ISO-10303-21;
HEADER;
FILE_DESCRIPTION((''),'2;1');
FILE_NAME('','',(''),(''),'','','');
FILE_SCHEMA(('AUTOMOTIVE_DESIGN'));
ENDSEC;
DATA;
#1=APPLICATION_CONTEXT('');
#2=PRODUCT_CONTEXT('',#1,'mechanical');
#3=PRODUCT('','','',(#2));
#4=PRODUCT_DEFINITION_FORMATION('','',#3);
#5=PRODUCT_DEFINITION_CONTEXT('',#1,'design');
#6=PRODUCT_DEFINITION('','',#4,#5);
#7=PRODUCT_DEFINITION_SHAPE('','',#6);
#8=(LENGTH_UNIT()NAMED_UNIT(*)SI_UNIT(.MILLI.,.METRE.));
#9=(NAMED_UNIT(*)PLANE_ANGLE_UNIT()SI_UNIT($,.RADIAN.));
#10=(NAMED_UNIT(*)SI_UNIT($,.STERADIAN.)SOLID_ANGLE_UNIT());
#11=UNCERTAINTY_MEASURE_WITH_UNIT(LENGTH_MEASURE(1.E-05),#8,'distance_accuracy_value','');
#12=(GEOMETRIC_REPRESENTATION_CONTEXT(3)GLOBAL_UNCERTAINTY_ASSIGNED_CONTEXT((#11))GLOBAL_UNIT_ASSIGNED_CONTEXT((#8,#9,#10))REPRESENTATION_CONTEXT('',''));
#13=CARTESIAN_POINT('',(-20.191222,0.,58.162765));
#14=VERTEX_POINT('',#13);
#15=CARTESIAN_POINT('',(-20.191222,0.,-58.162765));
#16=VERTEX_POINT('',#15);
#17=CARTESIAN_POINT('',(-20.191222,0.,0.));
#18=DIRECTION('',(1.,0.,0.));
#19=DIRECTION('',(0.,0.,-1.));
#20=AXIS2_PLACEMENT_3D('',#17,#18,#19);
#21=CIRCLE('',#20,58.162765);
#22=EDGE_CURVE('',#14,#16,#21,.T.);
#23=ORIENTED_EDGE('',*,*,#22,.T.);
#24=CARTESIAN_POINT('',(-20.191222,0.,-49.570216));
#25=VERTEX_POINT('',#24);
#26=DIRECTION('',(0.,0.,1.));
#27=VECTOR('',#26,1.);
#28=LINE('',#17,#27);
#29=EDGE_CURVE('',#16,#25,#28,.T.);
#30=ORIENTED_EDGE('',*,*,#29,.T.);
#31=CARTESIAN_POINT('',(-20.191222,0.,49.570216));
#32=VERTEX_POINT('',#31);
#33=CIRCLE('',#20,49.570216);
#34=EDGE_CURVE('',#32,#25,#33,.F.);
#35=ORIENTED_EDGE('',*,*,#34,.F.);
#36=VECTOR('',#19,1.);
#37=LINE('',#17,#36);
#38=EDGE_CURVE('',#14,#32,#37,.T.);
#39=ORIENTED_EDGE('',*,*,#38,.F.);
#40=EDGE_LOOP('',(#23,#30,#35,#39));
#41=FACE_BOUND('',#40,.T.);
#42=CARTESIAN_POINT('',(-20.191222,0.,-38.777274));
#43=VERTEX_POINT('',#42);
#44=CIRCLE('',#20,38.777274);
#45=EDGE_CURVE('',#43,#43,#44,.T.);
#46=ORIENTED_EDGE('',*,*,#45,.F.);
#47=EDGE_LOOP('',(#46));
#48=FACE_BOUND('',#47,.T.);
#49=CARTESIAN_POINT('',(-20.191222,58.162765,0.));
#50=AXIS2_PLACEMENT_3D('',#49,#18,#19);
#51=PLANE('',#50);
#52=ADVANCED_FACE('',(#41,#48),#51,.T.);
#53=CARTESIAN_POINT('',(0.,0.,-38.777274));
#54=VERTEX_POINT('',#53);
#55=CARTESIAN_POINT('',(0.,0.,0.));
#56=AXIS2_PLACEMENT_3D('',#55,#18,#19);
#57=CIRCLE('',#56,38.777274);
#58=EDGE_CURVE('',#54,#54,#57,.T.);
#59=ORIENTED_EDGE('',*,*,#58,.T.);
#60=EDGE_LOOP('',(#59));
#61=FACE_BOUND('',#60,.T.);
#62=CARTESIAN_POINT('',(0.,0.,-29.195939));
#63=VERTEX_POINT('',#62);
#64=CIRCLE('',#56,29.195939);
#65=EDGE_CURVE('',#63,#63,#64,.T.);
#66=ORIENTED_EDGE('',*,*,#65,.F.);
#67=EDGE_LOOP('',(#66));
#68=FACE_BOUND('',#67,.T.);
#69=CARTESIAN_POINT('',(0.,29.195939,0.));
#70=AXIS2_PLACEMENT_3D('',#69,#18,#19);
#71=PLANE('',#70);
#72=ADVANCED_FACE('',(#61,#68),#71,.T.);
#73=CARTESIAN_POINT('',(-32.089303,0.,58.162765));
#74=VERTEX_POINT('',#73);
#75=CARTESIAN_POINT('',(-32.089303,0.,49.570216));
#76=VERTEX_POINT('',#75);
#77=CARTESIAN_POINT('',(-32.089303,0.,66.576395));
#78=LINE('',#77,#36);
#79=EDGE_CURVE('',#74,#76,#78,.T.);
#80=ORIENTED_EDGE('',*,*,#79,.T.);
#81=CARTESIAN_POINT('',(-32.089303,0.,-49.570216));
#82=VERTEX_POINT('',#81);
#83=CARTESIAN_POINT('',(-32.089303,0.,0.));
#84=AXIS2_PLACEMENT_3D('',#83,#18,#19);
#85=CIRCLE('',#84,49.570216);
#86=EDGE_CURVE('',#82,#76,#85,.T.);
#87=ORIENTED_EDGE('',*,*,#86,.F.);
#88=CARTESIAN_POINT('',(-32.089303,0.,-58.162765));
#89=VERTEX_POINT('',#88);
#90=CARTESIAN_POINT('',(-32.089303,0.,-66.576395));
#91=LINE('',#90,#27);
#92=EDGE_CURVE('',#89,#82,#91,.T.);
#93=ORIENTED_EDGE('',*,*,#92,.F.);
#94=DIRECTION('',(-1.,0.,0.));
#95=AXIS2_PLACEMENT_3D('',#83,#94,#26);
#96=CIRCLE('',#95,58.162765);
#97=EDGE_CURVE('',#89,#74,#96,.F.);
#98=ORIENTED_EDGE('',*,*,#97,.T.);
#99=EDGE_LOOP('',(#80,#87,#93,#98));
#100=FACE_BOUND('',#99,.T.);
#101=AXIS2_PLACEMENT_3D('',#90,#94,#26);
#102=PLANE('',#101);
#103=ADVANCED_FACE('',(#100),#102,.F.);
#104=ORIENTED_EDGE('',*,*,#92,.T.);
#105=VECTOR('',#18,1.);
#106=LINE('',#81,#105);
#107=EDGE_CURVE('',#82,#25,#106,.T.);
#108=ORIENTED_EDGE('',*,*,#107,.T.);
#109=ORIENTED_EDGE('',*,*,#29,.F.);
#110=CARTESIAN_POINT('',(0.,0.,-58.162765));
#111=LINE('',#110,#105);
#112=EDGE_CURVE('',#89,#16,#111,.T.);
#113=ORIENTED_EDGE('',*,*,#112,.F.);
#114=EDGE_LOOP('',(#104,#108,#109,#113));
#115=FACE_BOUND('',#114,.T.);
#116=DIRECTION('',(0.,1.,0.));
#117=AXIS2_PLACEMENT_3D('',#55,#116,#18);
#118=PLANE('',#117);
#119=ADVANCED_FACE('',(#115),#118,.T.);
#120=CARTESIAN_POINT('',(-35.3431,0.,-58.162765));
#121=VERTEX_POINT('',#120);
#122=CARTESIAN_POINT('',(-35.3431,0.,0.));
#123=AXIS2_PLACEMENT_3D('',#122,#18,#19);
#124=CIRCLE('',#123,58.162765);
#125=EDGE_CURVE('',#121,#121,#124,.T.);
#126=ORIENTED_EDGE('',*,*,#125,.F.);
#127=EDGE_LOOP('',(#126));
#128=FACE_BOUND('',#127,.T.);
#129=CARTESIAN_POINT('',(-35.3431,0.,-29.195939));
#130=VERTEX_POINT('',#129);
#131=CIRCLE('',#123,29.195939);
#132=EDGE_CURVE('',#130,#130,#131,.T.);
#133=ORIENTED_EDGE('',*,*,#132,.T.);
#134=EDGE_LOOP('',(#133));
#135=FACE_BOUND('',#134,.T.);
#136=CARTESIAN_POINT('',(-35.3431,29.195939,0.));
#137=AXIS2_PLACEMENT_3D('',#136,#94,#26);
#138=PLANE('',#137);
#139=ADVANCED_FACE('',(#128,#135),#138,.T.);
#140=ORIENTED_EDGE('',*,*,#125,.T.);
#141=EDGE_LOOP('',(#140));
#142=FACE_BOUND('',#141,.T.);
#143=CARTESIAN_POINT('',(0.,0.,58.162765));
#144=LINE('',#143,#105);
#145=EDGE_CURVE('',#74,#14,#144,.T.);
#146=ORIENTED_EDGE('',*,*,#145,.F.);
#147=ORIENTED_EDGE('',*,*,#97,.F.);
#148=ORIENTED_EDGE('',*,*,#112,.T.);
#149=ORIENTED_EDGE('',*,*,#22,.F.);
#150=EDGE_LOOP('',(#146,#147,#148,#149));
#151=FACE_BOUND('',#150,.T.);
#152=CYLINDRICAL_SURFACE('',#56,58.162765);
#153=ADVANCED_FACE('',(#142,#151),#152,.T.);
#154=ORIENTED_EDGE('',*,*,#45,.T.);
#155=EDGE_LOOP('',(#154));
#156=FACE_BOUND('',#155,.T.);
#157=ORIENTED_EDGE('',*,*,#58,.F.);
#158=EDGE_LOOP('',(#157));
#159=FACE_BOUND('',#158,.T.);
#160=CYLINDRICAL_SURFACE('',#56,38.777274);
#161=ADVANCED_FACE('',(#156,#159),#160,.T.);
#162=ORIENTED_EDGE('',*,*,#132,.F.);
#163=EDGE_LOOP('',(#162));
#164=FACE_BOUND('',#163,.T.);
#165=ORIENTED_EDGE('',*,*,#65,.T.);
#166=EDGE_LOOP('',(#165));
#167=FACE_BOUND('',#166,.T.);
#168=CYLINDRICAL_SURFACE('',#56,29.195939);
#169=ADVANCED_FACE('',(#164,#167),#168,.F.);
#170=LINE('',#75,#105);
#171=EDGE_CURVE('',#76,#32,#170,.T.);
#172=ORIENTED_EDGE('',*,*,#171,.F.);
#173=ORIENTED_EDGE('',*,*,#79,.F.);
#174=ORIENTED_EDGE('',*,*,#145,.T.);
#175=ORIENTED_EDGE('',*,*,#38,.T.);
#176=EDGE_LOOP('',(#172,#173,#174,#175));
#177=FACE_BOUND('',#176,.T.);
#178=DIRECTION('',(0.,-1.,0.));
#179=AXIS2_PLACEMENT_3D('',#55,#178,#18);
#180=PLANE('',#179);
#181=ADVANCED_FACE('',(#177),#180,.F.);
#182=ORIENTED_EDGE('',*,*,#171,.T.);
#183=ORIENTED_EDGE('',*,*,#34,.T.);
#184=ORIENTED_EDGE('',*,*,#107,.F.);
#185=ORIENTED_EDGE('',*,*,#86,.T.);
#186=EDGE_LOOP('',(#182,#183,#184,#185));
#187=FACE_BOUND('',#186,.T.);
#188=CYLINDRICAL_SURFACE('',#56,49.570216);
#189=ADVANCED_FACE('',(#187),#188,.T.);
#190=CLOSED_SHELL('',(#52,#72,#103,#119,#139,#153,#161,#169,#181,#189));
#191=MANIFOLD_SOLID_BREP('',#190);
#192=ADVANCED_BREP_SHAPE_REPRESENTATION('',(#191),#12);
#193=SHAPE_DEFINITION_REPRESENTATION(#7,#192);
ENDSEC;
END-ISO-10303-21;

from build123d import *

# Parameters (mm, degrees)
IZIM2_W           = 24.151632934
IZIM2_H           = 17.006179403
KES_D_ND_R1_ANGLE = 180


with BuildPart() as part:
    # Çizim1 → Döndür1 (revolve)
    with BuildSketch(Plane.XY):
        Polygon((0, 29.195939483), (-35.343100252, 29.195939483), (-35.343100252, 58.1627654), (-20.19122208, 58.1627654), (-20.19122208, 38.777274209), (0, 38.777274209), align=None)
    revolve(axis=Axis((0, 0, 0), (-1, 0, 0)))

    # Çizim2 → Kes-Döndür1 (revolve, symmetric, cut)
    with BuildSketch(Plane.XY) as kes_d_nd_r1_sk:
        with Locations((-20.013486139, 58.073305733)):
            Rectangle(IZIM2_W, IZIM2_H)
    revolve(axis=Axis((0, 0, 0), (-1, 0, 0)), revolution_arc=KES_D_ND_R1_ANGLE / 2, mode=Mode.SUBTRACT)
    revolve(kes_d_nd_r1_sk.sketch, axis=Axis((0, 0, 0), (1, 0, 0)), revolution_arc=KES_D_ND_R1_ANGLE / 2, mode=Mode.SUBTRACT)


solid = part.part
